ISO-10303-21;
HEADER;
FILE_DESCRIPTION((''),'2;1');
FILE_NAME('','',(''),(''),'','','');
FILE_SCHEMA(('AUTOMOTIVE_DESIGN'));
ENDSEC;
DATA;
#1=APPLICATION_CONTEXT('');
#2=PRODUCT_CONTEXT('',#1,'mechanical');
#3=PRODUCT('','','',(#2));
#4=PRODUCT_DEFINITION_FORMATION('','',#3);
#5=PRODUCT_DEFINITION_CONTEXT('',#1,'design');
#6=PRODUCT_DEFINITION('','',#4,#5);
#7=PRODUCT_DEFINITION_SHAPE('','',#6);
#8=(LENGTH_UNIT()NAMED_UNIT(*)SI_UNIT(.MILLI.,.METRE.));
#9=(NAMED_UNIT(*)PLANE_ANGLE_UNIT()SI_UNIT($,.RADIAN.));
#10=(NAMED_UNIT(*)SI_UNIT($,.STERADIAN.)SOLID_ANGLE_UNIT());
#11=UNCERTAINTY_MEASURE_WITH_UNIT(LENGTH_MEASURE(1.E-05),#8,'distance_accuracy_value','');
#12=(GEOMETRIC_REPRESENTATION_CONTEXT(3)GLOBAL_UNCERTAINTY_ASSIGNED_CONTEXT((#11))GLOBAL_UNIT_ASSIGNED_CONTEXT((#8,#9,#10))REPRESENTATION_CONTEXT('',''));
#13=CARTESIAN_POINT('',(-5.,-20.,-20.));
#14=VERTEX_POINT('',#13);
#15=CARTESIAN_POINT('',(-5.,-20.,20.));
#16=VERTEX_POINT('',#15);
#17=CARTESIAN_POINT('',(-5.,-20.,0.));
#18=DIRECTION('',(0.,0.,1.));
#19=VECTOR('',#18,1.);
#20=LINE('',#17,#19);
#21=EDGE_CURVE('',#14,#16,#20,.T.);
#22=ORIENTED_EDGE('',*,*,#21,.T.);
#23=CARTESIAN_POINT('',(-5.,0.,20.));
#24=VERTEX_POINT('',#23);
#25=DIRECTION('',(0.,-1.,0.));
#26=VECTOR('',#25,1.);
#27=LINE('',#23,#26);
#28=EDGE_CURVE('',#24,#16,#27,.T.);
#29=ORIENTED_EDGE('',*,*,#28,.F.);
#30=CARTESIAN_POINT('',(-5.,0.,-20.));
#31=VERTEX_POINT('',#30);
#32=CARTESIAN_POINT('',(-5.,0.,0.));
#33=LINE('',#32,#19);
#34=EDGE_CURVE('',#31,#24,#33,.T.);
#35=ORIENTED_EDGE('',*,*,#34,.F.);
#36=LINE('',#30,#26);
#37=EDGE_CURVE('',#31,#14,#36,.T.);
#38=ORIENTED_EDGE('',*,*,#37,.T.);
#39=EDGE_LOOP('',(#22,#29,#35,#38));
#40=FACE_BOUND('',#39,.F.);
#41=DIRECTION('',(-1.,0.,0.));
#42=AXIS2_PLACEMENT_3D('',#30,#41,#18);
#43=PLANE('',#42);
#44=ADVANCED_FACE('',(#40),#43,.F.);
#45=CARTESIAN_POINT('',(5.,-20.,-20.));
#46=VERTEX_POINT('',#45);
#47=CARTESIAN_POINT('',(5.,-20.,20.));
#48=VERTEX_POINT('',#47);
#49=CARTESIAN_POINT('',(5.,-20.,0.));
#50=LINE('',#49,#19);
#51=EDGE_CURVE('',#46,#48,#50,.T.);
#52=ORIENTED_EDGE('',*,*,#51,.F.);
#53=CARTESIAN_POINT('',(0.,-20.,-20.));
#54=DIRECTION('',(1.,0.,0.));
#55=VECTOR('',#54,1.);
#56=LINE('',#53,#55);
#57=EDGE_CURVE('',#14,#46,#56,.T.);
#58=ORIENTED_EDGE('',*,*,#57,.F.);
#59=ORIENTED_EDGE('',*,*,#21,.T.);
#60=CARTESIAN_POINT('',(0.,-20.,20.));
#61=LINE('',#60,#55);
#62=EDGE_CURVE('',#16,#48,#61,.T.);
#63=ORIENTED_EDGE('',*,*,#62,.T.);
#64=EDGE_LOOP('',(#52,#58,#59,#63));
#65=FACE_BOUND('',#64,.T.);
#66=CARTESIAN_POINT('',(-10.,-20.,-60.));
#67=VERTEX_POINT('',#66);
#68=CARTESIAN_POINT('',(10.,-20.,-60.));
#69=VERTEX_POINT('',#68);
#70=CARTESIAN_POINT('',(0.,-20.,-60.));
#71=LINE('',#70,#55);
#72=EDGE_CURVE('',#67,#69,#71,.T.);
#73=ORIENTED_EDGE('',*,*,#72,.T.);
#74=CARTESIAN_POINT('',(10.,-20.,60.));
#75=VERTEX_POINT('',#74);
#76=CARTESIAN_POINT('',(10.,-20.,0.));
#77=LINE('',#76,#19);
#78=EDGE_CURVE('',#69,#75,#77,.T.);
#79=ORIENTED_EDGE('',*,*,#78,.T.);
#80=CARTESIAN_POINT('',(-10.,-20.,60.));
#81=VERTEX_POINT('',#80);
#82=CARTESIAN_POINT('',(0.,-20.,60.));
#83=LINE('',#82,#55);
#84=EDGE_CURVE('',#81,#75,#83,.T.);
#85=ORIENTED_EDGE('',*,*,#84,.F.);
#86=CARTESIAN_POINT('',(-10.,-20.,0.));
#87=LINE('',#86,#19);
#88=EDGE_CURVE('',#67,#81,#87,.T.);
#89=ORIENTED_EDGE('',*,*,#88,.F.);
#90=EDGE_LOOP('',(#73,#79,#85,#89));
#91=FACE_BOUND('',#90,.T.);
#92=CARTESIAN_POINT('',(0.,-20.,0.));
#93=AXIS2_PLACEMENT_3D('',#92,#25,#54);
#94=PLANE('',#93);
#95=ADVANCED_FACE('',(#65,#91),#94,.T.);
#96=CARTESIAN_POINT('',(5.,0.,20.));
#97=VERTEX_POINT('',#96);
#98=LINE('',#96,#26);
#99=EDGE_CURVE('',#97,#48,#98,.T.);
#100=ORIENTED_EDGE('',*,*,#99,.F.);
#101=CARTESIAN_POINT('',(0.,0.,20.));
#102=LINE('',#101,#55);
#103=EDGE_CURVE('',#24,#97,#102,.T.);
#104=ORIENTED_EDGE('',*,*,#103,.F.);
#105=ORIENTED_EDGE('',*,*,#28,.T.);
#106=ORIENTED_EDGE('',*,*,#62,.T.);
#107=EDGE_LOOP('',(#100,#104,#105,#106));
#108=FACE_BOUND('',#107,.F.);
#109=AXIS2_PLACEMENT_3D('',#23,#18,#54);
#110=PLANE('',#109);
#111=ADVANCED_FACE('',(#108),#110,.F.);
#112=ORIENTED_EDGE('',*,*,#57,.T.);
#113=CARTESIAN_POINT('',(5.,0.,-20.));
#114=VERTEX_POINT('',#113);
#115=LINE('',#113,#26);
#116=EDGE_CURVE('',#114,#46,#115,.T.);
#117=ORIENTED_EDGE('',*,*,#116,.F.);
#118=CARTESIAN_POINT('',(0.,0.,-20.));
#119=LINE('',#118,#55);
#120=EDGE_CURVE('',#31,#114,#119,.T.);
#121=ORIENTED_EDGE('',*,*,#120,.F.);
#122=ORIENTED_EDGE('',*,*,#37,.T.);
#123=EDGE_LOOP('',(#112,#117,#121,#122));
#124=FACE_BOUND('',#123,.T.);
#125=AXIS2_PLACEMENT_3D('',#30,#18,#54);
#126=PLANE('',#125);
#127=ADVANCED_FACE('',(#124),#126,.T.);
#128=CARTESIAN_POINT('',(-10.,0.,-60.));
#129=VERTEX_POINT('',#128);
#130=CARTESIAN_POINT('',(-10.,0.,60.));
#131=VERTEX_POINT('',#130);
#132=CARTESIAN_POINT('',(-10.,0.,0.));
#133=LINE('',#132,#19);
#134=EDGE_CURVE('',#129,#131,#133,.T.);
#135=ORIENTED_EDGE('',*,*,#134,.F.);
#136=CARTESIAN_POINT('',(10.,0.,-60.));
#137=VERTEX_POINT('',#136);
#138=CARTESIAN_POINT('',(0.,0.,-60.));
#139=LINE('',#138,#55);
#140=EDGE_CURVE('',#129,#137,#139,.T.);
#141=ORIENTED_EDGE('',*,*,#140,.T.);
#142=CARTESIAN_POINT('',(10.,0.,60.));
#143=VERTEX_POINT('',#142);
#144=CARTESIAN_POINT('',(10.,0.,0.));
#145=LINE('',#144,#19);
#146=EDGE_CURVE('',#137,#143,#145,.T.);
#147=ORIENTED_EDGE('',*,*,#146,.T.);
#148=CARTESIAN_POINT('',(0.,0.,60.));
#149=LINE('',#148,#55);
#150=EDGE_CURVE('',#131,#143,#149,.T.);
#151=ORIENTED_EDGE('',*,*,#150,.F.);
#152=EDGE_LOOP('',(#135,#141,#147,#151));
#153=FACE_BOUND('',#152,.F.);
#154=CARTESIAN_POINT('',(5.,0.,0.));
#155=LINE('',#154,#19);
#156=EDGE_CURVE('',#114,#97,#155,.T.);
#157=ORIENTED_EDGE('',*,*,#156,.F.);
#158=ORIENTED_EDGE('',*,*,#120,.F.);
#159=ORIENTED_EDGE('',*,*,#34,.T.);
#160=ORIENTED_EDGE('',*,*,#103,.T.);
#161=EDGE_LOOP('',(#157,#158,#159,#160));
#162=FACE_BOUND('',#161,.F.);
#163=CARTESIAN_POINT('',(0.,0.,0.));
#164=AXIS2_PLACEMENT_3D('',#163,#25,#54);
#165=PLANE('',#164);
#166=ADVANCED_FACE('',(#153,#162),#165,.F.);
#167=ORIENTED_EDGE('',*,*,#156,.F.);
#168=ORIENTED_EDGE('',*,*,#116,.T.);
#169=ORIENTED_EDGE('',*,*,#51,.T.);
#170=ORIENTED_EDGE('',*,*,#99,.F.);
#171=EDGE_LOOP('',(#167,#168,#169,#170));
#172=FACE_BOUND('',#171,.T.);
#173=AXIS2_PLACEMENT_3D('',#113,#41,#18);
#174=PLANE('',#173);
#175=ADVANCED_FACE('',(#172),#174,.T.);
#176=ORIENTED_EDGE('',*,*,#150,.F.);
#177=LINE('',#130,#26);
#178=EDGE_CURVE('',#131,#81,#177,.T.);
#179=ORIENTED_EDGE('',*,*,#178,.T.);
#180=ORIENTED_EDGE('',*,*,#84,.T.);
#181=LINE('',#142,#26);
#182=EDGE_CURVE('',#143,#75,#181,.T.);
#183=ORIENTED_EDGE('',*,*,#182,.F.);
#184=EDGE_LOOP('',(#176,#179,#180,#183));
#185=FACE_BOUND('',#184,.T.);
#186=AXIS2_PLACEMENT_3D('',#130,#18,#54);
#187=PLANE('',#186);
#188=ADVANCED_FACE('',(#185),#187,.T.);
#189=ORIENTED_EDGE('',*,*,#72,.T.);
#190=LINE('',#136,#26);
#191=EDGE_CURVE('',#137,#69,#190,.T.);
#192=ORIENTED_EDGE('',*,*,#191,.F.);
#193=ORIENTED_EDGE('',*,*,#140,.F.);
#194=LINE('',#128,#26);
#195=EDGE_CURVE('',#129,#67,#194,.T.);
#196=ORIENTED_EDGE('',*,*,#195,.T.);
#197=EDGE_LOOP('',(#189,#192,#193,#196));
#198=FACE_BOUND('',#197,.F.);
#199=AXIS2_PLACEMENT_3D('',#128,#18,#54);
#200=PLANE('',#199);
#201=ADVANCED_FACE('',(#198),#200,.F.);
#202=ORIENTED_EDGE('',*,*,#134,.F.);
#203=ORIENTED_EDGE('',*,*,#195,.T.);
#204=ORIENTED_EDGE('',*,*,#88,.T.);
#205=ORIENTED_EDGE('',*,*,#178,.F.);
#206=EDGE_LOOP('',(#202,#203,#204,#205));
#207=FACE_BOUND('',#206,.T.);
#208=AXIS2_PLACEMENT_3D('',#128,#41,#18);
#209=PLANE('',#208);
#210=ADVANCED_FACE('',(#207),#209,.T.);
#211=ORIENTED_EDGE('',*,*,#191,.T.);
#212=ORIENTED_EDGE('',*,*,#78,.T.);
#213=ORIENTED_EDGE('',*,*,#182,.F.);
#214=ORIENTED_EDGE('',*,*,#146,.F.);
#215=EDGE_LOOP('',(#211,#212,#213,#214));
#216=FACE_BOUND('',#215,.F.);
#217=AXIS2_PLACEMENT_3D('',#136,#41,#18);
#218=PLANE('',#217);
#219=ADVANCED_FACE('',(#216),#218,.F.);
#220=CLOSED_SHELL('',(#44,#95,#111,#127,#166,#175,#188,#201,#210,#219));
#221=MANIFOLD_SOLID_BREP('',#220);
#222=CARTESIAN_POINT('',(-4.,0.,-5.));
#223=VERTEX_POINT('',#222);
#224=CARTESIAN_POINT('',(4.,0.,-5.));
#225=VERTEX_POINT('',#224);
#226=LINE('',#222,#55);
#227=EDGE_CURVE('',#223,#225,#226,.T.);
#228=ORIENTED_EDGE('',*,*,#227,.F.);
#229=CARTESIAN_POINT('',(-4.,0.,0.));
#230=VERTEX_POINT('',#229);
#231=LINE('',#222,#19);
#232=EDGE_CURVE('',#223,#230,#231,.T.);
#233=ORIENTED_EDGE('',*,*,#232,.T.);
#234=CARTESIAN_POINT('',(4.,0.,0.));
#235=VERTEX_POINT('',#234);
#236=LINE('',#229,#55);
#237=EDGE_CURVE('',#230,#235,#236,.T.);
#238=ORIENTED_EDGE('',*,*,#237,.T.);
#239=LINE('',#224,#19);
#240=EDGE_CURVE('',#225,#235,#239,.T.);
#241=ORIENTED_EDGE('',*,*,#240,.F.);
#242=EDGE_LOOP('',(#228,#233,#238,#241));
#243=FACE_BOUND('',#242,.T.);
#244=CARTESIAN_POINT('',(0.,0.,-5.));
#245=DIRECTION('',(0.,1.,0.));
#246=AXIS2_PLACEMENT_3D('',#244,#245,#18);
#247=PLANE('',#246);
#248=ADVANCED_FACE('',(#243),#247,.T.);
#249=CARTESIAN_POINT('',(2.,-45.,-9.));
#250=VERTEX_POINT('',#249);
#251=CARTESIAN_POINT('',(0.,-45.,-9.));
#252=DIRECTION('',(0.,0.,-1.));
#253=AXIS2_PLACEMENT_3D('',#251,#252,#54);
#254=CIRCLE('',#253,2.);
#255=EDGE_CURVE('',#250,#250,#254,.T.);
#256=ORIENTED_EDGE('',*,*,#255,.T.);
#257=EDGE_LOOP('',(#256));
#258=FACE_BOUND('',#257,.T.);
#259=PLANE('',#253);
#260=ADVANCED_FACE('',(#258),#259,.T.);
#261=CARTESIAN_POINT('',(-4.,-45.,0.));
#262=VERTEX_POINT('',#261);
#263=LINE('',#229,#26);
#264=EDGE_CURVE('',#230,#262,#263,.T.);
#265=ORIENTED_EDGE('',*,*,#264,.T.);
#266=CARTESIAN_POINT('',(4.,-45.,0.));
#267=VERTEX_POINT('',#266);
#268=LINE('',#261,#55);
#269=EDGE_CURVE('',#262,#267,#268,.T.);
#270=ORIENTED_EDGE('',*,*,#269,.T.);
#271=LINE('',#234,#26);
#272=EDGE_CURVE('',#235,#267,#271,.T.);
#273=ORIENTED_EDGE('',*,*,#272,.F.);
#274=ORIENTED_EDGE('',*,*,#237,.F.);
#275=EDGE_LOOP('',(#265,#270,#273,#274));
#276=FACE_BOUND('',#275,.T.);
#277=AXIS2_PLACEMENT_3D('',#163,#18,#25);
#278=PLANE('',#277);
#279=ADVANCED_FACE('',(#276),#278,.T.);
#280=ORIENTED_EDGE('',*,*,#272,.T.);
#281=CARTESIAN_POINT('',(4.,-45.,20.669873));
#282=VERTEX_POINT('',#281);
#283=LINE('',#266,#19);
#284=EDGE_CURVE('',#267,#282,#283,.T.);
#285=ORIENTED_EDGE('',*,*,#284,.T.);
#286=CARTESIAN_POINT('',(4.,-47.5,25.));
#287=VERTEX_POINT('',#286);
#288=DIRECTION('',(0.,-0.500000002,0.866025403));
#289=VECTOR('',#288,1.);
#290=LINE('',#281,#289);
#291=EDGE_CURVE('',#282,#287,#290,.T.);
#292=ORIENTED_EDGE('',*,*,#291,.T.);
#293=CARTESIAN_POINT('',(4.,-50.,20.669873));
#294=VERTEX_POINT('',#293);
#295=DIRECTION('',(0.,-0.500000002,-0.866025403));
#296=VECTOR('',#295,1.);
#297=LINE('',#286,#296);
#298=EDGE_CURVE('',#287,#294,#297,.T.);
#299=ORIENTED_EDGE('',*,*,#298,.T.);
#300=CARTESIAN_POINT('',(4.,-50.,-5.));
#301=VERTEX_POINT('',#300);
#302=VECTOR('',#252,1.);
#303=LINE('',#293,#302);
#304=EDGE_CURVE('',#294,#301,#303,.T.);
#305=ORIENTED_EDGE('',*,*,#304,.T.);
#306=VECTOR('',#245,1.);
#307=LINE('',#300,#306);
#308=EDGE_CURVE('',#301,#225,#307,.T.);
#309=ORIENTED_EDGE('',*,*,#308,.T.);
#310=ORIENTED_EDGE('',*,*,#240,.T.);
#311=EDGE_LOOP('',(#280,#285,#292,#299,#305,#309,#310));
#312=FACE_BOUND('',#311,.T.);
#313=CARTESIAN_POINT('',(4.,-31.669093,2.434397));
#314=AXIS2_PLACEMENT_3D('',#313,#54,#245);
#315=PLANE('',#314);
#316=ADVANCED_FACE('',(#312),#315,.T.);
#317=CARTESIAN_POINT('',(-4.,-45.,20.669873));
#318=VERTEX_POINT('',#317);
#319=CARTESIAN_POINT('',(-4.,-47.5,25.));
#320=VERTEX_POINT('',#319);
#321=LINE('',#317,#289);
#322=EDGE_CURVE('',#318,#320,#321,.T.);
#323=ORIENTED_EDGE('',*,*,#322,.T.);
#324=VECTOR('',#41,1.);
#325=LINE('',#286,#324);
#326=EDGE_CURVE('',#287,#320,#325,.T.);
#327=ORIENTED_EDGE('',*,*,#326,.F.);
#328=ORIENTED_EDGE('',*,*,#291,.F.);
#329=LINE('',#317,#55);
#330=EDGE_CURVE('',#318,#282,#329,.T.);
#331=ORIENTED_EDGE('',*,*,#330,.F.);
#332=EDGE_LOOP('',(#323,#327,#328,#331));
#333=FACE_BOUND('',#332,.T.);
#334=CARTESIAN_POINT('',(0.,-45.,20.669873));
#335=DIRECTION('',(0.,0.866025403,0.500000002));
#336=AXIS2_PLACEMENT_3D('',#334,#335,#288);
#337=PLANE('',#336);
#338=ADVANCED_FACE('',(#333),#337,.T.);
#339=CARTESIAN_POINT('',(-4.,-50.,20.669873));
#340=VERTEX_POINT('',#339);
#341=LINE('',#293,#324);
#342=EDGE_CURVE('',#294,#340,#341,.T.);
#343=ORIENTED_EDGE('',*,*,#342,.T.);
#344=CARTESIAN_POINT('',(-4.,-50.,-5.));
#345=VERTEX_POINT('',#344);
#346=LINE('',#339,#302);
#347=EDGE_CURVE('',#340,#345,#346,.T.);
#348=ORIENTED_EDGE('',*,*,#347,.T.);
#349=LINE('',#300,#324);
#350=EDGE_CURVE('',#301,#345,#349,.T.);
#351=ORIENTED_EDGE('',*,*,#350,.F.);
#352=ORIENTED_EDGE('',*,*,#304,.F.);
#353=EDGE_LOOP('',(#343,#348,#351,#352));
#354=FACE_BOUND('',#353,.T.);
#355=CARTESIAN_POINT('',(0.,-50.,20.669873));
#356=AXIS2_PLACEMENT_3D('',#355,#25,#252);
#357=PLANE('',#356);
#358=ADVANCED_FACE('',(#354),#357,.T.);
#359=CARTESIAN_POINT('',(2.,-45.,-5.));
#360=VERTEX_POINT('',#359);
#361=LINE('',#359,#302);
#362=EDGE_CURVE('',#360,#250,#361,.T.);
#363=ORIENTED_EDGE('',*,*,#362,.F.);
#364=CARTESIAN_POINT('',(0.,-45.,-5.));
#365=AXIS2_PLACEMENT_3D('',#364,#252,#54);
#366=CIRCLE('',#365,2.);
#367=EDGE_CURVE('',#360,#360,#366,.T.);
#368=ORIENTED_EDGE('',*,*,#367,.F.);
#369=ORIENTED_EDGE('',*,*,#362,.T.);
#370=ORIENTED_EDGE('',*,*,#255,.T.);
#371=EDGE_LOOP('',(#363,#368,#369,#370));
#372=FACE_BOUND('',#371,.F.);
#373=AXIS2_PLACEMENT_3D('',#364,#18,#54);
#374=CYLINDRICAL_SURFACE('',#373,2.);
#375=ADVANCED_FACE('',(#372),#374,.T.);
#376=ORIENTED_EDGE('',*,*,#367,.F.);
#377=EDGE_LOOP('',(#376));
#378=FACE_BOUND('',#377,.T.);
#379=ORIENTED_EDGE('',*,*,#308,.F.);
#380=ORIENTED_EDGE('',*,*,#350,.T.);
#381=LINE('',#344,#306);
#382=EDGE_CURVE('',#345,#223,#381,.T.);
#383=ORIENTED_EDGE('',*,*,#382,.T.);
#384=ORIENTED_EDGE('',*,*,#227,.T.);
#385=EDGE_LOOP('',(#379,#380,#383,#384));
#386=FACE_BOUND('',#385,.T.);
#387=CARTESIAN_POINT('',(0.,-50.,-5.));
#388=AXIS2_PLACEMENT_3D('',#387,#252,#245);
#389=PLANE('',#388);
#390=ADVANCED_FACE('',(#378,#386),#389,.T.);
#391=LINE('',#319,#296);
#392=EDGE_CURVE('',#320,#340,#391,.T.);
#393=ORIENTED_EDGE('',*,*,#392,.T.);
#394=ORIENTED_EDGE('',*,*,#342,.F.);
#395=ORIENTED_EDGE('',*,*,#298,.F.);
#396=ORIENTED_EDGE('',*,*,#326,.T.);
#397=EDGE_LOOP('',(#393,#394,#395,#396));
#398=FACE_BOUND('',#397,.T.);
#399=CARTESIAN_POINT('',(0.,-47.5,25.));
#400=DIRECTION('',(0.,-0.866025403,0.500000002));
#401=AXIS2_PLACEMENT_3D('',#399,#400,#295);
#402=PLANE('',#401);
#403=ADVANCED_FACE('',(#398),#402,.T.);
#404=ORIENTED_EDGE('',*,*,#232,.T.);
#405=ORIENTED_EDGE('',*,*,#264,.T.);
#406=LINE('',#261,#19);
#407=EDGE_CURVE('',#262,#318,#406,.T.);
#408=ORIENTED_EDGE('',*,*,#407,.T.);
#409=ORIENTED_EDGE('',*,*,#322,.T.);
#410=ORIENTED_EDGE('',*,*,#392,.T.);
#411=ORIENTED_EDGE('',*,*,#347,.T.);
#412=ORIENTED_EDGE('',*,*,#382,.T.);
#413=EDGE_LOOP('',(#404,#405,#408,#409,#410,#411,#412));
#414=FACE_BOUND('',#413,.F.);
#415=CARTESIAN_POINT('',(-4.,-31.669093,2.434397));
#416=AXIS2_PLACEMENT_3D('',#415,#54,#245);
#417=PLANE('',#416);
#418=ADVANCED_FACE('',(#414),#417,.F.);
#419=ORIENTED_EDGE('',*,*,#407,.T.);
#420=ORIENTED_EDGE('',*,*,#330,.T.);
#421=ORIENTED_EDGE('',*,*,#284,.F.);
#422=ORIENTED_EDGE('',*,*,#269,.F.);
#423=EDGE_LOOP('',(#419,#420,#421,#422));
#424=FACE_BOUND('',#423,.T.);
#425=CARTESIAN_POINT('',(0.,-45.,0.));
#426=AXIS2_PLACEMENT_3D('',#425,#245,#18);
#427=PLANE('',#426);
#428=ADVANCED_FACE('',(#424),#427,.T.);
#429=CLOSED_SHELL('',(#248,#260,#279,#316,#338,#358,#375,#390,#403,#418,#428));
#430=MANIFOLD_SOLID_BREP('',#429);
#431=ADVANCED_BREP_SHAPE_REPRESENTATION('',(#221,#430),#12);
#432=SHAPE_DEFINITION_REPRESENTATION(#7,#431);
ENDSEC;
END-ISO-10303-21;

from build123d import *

# Parameters (mm, degrees)
F0_W     = 20
F0_H     = 120
F0_W_2   = 10
F0_H_2   = 40
F1_DEPTH = 20
F3_DEPTH = 4
F4_R     = 2
F5_DEPTH = 4


with BuildPart() as f1:
    # F0 (on Front) → F1 (new body)
    with BuildSketch(Plane.XZ):
        Rectangle(F0_W, F0_H)
        Rectangle(F0_W_2, F0_H_2, mode=Mode.SUBTRACT)
    extrude(amount=F1_DEPTH)


with BuildPart() as f3:
    # F2 (on Right) → F3 (new body, symmetric)
    with BuildSketch(Plane.YZ):
        Polygon((-50, -5), (0, -5), (0, 0), (-45, 0), (-45, 20.669873), (-47.5, 25), (-50, 20.669873), align=None)
    extrude(amount=F3_DEPTH, both=True)

    # F4 (on face) → F5 (join)
    with BuildSketch(Plane(origin=(0, 0, -5), x_dir=(1, 0, 0), z_dir=(0, 0, -1))):
        with Locations((0, 45)):
            Circle(F4_R)
    extrude(amount=F5_DEPTH)


solid = Compound([f1.part, f3.part])
